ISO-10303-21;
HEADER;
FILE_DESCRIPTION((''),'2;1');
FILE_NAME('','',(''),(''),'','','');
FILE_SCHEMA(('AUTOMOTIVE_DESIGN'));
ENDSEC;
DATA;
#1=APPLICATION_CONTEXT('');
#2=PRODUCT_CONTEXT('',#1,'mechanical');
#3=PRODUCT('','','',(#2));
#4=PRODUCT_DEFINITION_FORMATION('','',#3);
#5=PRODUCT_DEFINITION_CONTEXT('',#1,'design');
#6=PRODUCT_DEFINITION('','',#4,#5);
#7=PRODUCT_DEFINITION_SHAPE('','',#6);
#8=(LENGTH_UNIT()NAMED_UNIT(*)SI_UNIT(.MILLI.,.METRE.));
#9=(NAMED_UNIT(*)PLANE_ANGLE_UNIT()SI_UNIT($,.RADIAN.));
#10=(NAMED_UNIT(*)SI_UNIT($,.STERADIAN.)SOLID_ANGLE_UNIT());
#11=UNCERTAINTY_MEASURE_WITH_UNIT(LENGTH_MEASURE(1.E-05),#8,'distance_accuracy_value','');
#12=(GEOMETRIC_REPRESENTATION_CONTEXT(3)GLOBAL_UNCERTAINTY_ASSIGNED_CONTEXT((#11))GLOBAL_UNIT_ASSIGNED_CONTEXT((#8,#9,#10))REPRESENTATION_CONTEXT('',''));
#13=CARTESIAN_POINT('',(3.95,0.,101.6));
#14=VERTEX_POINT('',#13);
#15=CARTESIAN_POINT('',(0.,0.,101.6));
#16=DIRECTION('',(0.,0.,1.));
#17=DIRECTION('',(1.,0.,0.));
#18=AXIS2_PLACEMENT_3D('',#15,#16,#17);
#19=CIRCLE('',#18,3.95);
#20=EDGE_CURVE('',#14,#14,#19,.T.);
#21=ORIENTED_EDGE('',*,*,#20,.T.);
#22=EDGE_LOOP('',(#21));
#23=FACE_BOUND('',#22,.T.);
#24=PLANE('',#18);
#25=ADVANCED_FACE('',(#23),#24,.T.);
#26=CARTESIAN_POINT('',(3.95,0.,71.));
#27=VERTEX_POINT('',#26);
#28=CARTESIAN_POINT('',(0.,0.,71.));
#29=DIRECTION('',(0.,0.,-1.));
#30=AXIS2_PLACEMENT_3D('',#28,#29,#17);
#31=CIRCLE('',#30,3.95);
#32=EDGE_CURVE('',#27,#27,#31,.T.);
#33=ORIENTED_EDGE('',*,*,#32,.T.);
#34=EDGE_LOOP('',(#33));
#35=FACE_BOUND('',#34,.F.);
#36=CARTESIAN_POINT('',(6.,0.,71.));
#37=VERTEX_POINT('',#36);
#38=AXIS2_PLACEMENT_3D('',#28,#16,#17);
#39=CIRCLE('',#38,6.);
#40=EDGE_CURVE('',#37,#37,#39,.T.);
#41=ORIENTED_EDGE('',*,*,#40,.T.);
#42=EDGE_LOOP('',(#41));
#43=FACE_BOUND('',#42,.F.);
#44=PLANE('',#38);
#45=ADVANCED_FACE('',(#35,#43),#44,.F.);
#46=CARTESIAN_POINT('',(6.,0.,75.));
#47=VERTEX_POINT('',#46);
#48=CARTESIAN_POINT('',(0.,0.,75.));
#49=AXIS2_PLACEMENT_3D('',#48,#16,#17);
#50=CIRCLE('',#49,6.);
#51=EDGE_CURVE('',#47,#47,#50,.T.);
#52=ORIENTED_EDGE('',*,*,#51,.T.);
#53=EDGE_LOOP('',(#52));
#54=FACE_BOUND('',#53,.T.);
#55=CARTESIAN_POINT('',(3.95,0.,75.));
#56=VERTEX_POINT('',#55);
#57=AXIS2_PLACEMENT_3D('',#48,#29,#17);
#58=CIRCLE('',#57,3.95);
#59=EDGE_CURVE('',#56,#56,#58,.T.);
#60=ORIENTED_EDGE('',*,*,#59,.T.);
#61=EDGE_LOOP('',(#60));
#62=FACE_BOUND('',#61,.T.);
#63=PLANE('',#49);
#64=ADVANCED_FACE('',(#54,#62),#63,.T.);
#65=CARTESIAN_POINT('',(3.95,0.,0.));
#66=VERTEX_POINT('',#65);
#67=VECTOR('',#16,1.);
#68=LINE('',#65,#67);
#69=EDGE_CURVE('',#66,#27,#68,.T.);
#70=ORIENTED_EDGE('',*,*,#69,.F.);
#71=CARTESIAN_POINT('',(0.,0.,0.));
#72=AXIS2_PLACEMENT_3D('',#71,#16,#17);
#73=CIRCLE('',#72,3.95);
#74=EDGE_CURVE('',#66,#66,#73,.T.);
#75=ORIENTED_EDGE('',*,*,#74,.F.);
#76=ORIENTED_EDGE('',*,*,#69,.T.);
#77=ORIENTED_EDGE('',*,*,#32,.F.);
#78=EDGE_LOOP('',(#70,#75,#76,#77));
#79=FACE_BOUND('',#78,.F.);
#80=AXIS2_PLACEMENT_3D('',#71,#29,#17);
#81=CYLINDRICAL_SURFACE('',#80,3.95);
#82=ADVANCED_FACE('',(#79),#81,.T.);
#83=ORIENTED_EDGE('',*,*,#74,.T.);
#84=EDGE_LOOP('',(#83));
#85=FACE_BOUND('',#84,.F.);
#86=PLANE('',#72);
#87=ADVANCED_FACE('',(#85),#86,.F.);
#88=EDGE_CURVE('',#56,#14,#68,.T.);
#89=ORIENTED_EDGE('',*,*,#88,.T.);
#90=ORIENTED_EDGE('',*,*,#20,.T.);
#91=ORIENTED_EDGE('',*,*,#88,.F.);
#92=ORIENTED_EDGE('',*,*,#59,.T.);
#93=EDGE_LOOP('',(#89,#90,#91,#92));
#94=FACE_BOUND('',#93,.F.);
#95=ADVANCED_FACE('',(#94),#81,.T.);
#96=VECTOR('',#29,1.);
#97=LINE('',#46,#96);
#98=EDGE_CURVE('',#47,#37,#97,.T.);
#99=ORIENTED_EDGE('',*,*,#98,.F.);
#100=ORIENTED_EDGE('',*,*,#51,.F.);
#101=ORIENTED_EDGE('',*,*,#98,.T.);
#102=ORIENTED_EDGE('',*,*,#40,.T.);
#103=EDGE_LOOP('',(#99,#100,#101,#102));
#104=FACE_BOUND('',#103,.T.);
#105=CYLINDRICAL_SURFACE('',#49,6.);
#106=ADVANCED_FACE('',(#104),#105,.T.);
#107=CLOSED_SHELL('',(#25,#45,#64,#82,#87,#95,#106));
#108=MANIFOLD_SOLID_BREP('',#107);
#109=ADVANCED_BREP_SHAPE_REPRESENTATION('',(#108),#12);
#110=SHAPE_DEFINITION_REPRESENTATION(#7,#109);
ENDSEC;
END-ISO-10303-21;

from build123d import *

# Parameters (mm, degrees)
F0_R     = 3.95
F1_DEPTH = 101.6
F3_R     = 6
F4_DEPTH = 4


with BuildPart() as f1:
    # F0 (on Top) → F1 (new body)
    with BuildSketch(Plane.XY):
        Circle(F0_R)
    extrude(amount=F1_DEPTH)

    # F3 (on offset) → F4 (join)
    with BuildSketch(Plane.XY.offset(75)):
        Circle(F3_R)
    extrude(amount=-F4_DEPTH)


solid = f1.part
